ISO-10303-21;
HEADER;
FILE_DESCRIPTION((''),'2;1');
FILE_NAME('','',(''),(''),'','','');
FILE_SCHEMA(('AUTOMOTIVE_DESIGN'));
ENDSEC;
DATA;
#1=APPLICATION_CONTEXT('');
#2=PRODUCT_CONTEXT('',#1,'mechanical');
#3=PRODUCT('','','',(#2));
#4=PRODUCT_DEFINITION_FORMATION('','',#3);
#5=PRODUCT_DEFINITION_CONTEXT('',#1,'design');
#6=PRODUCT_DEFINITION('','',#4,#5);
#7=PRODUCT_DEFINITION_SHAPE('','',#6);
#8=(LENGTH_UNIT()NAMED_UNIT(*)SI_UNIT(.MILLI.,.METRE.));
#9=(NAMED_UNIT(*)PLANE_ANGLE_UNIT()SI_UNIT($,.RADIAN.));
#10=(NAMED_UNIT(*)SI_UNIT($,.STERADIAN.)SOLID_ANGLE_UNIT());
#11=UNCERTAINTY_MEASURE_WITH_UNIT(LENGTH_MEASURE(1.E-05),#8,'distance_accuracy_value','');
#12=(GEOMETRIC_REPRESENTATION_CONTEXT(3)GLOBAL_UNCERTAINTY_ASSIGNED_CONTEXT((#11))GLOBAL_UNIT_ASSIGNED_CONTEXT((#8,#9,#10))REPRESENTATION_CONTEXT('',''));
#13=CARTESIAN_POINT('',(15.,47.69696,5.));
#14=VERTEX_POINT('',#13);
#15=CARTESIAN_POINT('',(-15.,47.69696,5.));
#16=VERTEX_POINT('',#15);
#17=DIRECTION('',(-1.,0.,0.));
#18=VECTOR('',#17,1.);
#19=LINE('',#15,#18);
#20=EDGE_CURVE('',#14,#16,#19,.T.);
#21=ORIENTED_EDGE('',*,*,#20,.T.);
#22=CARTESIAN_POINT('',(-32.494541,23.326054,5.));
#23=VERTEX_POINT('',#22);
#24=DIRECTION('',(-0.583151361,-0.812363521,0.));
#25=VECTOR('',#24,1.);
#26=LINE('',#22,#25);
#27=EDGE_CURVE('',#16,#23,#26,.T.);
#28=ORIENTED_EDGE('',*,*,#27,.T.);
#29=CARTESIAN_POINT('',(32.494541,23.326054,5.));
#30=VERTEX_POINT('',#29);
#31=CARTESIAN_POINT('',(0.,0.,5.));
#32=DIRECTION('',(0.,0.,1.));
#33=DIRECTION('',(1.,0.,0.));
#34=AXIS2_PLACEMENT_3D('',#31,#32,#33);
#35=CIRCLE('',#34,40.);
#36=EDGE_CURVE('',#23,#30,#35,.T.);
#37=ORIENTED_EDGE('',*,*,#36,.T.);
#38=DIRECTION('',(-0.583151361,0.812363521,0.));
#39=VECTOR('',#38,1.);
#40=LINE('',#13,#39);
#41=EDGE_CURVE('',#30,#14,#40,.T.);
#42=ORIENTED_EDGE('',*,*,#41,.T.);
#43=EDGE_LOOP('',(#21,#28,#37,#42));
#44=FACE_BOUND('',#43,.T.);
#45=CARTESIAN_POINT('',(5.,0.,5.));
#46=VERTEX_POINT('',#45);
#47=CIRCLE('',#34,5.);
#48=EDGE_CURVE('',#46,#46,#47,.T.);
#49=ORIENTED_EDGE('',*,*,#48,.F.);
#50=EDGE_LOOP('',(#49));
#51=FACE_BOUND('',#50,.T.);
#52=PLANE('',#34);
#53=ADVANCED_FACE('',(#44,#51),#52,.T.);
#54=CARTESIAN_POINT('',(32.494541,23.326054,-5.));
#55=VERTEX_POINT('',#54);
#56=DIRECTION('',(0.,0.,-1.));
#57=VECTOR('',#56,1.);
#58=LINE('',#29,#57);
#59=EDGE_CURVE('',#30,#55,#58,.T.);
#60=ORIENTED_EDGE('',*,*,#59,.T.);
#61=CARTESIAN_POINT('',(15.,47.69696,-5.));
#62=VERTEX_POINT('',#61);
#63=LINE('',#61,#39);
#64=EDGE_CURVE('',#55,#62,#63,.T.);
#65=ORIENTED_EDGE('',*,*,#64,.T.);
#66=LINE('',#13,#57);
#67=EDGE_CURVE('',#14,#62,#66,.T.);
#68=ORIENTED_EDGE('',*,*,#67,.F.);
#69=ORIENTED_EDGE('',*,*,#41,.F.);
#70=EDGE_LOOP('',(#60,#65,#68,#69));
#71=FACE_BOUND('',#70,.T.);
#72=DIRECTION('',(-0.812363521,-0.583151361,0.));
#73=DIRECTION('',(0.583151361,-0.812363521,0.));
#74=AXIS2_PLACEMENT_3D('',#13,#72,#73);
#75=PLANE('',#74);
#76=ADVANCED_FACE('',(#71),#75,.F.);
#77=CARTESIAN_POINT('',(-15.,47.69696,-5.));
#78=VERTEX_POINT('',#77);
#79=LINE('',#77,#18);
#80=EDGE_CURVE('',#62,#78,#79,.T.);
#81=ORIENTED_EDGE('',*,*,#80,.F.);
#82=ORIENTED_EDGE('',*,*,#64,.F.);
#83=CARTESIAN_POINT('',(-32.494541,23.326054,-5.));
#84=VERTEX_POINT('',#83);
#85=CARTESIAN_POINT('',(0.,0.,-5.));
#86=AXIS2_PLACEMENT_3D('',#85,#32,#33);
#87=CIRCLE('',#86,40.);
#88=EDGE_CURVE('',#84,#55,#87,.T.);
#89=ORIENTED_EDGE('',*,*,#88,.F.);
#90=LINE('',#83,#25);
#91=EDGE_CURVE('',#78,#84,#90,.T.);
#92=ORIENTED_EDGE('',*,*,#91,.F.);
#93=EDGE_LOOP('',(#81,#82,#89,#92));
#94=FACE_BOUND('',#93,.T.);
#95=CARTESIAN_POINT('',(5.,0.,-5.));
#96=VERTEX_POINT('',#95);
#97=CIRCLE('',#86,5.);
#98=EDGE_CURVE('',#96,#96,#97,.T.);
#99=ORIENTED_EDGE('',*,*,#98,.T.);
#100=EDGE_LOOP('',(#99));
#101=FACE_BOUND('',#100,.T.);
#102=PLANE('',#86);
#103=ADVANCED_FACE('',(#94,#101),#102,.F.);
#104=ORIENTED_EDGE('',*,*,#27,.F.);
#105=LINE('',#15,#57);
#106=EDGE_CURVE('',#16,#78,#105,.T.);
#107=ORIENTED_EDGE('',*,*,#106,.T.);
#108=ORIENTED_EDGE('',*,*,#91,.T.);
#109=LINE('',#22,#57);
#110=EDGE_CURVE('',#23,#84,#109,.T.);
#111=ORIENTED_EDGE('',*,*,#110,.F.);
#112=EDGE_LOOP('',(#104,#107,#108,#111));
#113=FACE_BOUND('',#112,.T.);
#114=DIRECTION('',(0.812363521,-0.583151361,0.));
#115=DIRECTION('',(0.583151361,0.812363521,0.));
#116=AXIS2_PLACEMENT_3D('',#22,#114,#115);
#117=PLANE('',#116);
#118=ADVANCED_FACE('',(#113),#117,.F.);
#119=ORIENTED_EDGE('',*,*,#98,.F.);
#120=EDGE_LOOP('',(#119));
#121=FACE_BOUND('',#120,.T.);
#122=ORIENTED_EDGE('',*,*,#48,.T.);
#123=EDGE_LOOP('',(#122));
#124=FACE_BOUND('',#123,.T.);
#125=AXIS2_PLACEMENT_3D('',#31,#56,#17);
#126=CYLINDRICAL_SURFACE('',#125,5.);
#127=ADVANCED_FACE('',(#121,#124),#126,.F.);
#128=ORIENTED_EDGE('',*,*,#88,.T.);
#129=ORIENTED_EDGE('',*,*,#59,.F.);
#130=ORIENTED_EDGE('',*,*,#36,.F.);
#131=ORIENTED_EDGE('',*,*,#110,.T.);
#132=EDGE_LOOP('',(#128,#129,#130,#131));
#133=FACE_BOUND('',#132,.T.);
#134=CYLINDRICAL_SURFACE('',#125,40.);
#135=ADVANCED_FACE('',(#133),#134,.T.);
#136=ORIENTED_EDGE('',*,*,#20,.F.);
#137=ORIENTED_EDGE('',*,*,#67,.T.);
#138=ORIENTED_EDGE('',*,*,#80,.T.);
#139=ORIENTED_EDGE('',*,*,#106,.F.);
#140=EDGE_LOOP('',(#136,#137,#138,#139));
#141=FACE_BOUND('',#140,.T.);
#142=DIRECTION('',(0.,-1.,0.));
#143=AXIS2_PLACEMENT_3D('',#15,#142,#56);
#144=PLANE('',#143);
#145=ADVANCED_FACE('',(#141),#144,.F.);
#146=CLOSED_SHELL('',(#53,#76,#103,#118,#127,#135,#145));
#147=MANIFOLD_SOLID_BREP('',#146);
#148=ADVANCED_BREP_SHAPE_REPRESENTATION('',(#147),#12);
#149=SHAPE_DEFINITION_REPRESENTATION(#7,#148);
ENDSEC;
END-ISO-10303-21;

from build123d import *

# Parameters (mm, degrees)
SKETCH1_R           = 5
BOSS_EXTRUDE1_DEPTH = 5


with BuildPart() as part:
    # Sketch1 → Boss-Extrude1 (new, symmetric)
    with BuildSketch(Plane.XY):
        with BuildLine():
            Line((-32.494540834, 23.326054445), (-15, 47.696960071))
            Line((-15, 47.696960071), (15, 47.696960071))
            Line((15, 47.696960071), (32.494540834, 23.326054445))
            ThreePointArc((32.494540834, 23.326054445), (0, -40), (-32.494540834, 23.326054445))
        make_face()
        Circle(SKETCH1_R, mode=Mode.SUBTRACT)
    extrude(amount=BOSS_EXTRUDE1_DEPTH, both=True)


solid = part.part
